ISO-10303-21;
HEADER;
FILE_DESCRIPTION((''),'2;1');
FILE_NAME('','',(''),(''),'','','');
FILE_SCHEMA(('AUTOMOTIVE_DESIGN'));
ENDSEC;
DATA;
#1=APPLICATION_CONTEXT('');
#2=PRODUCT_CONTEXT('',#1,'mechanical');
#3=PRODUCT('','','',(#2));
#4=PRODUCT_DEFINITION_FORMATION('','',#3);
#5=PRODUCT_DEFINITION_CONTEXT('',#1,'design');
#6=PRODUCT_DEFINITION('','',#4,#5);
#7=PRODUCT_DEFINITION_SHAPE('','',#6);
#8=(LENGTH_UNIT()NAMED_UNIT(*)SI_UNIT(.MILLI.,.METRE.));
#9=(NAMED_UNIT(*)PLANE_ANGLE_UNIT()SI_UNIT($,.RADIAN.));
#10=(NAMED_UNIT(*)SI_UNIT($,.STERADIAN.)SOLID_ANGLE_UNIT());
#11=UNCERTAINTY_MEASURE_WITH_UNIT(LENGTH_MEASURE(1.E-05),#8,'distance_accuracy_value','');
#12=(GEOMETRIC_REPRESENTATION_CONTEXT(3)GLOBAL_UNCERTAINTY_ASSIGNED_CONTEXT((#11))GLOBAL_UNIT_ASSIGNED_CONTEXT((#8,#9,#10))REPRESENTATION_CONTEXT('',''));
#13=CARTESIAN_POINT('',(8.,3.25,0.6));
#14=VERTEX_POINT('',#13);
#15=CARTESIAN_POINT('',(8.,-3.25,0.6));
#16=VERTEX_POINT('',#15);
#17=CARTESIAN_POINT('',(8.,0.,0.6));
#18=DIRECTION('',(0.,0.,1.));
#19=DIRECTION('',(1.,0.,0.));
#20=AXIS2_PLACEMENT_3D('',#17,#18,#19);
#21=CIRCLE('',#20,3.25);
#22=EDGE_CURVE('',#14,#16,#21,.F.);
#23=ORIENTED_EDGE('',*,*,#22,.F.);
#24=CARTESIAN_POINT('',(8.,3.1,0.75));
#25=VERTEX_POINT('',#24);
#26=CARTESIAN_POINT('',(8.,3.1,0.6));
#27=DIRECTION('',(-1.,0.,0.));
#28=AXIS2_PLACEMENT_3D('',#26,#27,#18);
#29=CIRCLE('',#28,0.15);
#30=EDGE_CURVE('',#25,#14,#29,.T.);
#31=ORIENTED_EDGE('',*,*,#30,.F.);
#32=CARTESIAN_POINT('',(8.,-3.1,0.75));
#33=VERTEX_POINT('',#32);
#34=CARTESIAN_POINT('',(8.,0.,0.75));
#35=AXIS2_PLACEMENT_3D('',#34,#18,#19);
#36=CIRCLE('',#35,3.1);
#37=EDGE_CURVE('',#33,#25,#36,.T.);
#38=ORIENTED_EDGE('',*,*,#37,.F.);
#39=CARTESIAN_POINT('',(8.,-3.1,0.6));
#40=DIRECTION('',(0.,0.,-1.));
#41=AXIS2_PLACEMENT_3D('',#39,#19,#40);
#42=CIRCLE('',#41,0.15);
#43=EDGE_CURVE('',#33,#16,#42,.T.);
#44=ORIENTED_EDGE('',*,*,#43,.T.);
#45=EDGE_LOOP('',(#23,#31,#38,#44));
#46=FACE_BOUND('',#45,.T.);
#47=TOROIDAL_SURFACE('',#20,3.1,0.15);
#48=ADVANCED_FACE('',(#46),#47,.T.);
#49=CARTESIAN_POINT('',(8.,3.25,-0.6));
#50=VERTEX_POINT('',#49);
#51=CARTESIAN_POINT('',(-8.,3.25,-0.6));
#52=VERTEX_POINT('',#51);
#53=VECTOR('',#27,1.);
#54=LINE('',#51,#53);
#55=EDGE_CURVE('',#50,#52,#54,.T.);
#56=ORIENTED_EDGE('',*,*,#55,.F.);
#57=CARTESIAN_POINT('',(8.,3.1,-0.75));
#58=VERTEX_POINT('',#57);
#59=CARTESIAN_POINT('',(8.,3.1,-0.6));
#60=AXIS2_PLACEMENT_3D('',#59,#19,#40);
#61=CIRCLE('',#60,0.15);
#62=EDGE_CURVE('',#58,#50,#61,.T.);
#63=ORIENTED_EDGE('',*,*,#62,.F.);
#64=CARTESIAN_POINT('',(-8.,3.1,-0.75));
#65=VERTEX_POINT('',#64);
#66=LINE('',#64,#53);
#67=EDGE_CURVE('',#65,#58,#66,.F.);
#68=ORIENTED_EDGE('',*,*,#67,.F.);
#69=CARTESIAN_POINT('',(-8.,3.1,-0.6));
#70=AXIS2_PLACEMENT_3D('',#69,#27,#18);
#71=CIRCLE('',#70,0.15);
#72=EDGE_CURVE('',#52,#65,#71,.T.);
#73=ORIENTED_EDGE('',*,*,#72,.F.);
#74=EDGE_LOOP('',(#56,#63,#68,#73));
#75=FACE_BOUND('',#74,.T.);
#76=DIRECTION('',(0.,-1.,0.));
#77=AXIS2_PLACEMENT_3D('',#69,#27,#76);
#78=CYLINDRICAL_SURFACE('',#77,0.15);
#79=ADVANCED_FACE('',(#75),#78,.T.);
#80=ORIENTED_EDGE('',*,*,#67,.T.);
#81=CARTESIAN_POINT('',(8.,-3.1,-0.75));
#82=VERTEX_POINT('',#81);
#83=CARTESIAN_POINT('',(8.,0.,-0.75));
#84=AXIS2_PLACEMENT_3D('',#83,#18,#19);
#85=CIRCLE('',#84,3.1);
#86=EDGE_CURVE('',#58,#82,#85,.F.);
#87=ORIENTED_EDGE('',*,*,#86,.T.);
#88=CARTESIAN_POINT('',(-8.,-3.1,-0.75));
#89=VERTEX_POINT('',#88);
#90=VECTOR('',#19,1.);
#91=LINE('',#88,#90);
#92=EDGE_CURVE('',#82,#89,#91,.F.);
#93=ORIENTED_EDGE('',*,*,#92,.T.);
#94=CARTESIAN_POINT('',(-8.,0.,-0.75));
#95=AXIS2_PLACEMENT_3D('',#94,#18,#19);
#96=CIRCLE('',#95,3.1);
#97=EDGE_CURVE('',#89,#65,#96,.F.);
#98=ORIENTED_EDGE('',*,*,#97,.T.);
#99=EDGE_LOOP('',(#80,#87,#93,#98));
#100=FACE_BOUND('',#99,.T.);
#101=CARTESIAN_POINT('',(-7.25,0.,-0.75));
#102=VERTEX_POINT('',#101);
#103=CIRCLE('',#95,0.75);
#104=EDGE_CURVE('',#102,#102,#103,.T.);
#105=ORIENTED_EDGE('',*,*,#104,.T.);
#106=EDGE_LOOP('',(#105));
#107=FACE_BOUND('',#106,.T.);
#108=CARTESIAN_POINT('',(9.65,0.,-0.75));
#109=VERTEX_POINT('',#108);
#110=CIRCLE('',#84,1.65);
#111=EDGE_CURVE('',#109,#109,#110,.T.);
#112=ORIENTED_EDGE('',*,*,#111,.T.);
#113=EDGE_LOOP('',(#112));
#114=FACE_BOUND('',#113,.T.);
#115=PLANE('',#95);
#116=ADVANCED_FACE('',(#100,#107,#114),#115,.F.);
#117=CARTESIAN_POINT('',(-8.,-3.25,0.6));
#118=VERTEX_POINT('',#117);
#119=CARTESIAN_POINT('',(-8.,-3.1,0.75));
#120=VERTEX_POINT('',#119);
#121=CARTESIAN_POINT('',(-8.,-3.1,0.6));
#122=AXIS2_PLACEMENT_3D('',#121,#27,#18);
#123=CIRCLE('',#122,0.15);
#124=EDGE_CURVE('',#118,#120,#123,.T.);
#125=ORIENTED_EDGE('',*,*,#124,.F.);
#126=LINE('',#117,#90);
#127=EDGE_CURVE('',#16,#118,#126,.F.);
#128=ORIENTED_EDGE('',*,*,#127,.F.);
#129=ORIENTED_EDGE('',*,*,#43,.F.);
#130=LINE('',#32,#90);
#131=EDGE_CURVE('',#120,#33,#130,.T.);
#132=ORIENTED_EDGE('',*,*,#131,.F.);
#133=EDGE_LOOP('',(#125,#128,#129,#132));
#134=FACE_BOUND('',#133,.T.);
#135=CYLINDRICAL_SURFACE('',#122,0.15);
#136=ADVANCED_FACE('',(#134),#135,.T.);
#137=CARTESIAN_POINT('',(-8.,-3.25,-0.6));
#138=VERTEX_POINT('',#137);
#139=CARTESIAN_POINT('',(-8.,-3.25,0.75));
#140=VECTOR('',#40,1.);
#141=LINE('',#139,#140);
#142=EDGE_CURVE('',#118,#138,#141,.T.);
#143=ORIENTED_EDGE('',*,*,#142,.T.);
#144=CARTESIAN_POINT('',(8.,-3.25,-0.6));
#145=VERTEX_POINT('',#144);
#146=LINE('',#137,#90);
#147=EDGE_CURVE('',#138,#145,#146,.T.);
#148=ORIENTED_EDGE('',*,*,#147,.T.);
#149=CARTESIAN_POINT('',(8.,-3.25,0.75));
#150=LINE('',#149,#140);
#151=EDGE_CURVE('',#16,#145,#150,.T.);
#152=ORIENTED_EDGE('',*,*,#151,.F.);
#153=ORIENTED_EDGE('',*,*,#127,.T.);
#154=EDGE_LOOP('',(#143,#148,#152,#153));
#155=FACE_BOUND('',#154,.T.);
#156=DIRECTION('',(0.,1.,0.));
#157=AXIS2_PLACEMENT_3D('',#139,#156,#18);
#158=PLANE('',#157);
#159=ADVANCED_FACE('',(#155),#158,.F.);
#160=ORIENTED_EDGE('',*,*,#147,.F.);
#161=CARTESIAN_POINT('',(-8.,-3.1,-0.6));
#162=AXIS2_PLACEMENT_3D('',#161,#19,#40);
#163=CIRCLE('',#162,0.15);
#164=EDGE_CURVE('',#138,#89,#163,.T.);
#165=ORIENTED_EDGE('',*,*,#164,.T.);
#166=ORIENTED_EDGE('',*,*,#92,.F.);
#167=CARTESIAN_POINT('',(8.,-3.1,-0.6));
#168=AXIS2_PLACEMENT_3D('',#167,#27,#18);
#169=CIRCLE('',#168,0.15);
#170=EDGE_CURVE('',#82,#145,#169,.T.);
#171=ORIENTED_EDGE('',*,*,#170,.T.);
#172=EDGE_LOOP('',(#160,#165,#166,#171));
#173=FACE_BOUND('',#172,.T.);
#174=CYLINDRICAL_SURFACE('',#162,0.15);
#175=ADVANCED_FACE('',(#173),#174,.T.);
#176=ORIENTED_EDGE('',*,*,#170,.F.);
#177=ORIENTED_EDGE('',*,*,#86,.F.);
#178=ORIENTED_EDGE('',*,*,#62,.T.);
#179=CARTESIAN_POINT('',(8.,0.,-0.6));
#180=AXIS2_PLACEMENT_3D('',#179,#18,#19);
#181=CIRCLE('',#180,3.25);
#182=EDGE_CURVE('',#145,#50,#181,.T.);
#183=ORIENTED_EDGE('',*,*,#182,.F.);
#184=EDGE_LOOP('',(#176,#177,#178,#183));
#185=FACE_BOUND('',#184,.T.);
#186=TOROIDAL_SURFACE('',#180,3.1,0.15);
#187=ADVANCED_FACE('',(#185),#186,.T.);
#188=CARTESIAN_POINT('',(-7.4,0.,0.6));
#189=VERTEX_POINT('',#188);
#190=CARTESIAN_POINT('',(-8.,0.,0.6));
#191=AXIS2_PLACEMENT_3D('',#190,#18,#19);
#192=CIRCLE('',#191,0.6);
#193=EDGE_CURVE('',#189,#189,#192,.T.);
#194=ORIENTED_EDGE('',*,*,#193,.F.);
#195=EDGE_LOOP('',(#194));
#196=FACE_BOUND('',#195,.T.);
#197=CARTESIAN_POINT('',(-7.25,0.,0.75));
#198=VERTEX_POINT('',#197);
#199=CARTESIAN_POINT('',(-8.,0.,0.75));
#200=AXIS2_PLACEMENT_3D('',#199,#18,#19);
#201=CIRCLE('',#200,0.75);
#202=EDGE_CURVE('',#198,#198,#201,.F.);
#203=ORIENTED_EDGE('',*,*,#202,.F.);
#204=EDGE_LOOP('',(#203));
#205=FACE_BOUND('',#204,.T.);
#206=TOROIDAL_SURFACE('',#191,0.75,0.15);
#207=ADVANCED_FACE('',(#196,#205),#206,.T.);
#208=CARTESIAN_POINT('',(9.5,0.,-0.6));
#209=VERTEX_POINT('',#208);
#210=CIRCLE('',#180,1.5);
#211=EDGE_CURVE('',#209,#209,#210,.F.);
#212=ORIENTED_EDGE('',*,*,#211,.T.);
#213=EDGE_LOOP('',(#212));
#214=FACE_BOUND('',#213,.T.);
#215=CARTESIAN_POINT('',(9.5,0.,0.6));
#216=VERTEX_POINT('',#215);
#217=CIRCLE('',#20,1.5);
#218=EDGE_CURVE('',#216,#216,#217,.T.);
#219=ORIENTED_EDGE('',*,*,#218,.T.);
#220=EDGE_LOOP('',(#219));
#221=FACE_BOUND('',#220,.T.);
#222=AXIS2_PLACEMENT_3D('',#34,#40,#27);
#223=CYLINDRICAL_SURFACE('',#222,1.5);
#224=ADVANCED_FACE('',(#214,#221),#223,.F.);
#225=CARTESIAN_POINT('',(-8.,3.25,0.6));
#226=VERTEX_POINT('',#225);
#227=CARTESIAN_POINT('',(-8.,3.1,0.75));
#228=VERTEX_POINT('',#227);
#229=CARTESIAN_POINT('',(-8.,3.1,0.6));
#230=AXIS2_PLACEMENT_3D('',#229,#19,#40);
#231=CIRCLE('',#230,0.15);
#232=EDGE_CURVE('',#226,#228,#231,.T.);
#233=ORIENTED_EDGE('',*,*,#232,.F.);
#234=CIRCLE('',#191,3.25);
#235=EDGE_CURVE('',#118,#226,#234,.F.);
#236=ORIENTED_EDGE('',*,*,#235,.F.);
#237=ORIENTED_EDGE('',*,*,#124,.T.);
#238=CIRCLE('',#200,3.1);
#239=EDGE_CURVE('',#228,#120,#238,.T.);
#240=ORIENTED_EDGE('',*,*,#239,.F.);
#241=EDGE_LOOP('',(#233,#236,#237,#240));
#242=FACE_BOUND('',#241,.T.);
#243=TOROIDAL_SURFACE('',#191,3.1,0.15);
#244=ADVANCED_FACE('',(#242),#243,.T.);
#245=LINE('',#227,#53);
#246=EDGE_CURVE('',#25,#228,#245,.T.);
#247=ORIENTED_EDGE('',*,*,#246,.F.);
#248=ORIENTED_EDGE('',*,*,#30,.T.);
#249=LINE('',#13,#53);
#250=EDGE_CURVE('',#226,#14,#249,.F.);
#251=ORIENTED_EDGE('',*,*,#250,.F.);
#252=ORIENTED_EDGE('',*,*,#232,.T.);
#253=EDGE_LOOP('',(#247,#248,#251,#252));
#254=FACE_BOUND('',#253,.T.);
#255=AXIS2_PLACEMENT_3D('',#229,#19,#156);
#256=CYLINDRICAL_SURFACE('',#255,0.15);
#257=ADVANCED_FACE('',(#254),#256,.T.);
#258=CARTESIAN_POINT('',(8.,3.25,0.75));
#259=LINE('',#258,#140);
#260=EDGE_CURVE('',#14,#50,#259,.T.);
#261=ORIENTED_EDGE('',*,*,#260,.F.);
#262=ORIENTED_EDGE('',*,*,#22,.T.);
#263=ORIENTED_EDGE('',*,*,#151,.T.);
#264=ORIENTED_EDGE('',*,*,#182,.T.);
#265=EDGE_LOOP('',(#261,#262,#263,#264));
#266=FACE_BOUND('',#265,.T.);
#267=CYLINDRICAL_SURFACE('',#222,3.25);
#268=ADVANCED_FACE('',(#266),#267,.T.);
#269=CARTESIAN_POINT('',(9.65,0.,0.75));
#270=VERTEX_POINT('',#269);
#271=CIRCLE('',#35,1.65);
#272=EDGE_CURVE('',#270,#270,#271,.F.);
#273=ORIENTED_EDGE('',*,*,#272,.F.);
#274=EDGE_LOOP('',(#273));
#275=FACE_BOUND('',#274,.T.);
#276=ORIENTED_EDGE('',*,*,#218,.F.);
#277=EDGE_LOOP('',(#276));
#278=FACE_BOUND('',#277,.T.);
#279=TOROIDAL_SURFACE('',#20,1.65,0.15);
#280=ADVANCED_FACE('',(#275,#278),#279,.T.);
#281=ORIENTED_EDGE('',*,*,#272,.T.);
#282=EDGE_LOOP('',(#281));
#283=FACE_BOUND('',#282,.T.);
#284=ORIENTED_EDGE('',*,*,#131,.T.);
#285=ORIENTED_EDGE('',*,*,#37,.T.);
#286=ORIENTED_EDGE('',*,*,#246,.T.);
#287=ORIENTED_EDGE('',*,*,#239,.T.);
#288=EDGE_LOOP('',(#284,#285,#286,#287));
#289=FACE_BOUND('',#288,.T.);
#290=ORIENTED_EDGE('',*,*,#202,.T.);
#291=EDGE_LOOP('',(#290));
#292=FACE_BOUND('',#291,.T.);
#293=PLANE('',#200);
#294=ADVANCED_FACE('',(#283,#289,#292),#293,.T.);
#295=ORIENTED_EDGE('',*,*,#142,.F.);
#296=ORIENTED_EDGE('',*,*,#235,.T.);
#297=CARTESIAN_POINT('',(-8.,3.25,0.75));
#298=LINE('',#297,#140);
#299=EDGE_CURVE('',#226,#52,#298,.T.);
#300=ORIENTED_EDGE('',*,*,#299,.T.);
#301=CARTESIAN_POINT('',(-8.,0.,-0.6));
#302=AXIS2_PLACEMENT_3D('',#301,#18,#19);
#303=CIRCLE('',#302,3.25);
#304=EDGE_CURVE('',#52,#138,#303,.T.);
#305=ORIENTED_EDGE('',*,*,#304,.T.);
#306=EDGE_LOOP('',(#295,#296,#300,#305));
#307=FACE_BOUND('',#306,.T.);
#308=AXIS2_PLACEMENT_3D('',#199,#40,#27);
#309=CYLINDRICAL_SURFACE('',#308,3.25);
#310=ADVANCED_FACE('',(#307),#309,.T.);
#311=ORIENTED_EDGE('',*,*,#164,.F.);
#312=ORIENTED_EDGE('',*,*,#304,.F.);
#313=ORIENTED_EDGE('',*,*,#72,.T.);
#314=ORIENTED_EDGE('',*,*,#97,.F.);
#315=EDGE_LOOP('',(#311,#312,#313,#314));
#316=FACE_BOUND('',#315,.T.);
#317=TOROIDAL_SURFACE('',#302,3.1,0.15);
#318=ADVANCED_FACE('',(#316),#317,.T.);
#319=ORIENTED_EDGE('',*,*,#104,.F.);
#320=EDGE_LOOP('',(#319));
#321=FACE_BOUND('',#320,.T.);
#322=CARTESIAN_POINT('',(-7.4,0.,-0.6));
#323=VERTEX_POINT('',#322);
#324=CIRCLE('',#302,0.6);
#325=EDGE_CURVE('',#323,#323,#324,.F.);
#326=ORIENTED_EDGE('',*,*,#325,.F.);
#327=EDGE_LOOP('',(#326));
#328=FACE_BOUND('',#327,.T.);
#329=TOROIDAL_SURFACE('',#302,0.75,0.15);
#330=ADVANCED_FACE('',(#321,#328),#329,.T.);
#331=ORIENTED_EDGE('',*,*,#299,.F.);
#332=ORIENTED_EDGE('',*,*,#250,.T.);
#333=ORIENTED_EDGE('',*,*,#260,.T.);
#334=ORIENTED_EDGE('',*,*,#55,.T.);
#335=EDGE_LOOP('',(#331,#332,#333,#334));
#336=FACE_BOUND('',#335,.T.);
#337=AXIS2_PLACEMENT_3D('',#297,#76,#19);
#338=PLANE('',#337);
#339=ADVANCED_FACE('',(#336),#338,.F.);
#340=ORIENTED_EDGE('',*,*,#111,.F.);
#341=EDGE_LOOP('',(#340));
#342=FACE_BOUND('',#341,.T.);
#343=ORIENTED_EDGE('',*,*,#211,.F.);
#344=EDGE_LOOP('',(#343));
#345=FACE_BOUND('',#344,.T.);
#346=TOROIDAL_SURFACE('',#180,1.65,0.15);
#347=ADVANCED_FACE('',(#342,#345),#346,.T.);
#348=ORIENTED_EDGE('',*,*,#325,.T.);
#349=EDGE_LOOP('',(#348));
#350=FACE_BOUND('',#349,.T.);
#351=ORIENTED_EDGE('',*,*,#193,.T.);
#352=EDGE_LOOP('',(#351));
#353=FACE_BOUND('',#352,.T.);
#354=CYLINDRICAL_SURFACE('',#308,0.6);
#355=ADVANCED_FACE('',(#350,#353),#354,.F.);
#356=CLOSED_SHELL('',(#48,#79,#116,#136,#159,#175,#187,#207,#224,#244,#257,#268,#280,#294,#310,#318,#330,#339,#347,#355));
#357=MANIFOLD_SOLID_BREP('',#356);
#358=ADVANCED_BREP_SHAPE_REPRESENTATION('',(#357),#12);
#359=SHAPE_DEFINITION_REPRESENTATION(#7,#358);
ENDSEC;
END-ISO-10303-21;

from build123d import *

# Parameters (mm, degrees)
SZKIC1_R                    = 0.6
SZKIC1_R_2                  = 1.5
DODANIE_WYCI_GNI_CIE1_DEPTH = 0.75
ZAOKR_GLENIE1_R             = 0.15


with BuildPart() as part:
    # Szkic1 → Dodanie-wyciągnięcie1 (new body, symmetric)
    with BuildSketch(Plane.XY):
        with BuildLine():
            Line((-8, 3.25), (8, 3.25))
            ThreePointArc((8, 3.25), (11.25, 0), (8, -3.25))
            Line((8, -3.25), (-8, -3.25))
            ThreePointArc((-8, -3.25), (-11.25, 0), (-8, 3.25))
        make_face()
        with Locations((-8, 0)):
            Circle(SZKIC1_R, mode=Mode.SUBTRACT)
        with Locations((8, 0)):
            Circle(SZKIC1_R_2, mode=Mode.SUBTRACT)
    extrude(amount=DODANIE_WYCI_GNI_CIE1_DEPTH, both=True)

    # Zaokrąglenie1
    zaokr_glenie1_edges = [part.edges().sort_by_distance(p)[0] for p in [
        (11.25, 0, 0.75),
        (-8.6, 0, -0.75),
        (-8.6, 0, 0.75),
        (0, 3.25, 0.75),
        (6.5, 0, -0.75),
        (6.5, 0, 0.75),
        (-11.25, 0, 0.75),
        (0, 3.25, -0.75),
        (11.25, 0, -0.75),
        (0, -3.25, -0.75),
        (-11.25, 0, -0.75),
        (0, -3.25, 0.75),
    ]]
    fillet(zaokr_glenie1_edges, radius=ZAOKR_GLENIE1_R)


solid = part.part
